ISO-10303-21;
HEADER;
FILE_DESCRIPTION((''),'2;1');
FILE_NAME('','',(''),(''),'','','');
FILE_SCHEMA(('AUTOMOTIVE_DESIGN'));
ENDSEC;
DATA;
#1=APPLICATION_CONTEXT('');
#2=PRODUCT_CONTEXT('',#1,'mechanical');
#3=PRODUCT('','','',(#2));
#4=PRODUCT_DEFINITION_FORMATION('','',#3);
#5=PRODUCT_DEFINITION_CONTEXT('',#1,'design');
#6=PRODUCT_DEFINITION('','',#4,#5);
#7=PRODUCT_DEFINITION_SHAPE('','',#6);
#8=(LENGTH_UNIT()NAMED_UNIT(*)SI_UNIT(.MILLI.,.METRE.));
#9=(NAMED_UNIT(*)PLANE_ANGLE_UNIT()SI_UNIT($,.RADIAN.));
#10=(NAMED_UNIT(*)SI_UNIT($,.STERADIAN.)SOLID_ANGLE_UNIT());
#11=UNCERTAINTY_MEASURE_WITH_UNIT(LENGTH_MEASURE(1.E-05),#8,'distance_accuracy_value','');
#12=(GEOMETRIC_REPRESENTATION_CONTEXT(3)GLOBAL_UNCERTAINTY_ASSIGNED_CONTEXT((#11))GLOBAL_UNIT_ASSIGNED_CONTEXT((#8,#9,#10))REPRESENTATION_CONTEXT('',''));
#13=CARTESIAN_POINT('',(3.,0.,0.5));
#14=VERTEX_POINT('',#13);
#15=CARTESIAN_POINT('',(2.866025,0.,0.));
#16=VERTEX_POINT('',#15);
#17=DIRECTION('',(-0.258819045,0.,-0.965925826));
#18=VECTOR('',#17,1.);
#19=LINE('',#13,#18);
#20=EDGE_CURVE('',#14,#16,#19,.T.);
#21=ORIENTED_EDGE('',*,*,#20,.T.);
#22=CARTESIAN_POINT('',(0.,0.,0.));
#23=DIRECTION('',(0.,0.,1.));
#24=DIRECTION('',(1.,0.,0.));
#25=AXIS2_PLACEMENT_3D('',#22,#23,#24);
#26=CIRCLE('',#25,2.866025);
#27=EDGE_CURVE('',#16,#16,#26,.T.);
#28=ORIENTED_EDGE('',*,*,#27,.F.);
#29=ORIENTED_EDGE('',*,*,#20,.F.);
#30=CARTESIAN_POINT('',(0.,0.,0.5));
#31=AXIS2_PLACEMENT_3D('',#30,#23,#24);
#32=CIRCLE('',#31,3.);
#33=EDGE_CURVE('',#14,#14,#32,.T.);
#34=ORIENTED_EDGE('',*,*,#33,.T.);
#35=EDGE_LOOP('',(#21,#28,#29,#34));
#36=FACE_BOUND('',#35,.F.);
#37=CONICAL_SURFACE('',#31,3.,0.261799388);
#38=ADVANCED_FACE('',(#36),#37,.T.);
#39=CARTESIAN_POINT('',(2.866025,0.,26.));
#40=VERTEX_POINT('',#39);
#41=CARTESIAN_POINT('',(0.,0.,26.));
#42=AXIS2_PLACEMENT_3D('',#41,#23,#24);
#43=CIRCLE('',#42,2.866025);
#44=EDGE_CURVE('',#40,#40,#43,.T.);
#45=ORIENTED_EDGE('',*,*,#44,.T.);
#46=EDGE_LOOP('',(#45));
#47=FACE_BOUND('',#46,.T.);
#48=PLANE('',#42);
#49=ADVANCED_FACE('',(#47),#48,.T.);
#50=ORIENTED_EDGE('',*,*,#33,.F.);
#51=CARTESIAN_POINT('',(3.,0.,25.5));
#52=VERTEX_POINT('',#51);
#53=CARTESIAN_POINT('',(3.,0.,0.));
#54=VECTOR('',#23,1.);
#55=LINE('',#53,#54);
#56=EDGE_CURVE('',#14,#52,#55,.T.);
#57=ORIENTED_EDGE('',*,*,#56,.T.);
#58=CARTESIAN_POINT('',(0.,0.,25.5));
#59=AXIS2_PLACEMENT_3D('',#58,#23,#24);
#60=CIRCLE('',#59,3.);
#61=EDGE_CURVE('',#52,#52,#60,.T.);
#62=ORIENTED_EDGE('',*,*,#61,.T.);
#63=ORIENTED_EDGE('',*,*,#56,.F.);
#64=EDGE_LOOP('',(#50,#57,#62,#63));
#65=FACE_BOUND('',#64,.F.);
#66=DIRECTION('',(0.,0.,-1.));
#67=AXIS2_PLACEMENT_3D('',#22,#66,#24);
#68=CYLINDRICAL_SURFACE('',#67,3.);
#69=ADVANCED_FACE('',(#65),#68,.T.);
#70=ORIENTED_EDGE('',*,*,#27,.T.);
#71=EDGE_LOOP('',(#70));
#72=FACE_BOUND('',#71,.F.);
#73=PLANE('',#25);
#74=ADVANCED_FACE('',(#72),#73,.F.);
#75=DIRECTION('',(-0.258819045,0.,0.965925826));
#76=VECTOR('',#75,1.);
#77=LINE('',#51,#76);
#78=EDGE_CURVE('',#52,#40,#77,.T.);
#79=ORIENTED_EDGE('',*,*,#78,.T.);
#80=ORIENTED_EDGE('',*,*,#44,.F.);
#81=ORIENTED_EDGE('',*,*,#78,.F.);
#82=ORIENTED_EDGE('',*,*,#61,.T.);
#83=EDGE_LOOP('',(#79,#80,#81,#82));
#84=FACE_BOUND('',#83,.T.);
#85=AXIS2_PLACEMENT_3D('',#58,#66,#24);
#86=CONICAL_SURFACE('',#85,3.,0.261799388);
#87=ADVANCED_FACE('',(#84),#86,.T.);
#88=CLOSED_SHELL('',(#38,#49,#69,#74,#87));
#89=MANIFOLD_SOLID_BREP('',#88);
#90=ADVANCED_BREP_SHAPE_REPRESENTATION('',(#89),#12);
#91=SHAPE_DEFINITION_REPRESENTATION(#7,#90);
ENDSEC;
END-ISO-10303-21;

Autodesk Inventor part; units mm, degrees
ref_plane "YZ Plane" through (0, 0, 0) normal (1, 0, 0) x (0, 1, 0)
ref_plane "XZ Plane" through (0, 0, 0) normal (0, 1, 0) x (-1, 0, 0)
ref_plane "XY Plane" through (0, 0, 0) normal (0, 0, 1) x (1, 0, 0)
sketch "スケッチ1" plane through (0, 0, 0) normal (0, 0, 1) x (1, 0, 0)
  circle A0 centre (0, 0) radius 3
  dimension "d0" = 6
extrude "押し出し1" add sketch "スケッチ1" along normal blind 26
chamfer "面取り1" distance 0.5 angle 15 2 edges at (-3, 0, 0) (-3, 0, 26) measured on face at (2.9612, -0.4812, 17.3333)
properties part number "平行ピンD6L26" material "ステンレス鋼"
